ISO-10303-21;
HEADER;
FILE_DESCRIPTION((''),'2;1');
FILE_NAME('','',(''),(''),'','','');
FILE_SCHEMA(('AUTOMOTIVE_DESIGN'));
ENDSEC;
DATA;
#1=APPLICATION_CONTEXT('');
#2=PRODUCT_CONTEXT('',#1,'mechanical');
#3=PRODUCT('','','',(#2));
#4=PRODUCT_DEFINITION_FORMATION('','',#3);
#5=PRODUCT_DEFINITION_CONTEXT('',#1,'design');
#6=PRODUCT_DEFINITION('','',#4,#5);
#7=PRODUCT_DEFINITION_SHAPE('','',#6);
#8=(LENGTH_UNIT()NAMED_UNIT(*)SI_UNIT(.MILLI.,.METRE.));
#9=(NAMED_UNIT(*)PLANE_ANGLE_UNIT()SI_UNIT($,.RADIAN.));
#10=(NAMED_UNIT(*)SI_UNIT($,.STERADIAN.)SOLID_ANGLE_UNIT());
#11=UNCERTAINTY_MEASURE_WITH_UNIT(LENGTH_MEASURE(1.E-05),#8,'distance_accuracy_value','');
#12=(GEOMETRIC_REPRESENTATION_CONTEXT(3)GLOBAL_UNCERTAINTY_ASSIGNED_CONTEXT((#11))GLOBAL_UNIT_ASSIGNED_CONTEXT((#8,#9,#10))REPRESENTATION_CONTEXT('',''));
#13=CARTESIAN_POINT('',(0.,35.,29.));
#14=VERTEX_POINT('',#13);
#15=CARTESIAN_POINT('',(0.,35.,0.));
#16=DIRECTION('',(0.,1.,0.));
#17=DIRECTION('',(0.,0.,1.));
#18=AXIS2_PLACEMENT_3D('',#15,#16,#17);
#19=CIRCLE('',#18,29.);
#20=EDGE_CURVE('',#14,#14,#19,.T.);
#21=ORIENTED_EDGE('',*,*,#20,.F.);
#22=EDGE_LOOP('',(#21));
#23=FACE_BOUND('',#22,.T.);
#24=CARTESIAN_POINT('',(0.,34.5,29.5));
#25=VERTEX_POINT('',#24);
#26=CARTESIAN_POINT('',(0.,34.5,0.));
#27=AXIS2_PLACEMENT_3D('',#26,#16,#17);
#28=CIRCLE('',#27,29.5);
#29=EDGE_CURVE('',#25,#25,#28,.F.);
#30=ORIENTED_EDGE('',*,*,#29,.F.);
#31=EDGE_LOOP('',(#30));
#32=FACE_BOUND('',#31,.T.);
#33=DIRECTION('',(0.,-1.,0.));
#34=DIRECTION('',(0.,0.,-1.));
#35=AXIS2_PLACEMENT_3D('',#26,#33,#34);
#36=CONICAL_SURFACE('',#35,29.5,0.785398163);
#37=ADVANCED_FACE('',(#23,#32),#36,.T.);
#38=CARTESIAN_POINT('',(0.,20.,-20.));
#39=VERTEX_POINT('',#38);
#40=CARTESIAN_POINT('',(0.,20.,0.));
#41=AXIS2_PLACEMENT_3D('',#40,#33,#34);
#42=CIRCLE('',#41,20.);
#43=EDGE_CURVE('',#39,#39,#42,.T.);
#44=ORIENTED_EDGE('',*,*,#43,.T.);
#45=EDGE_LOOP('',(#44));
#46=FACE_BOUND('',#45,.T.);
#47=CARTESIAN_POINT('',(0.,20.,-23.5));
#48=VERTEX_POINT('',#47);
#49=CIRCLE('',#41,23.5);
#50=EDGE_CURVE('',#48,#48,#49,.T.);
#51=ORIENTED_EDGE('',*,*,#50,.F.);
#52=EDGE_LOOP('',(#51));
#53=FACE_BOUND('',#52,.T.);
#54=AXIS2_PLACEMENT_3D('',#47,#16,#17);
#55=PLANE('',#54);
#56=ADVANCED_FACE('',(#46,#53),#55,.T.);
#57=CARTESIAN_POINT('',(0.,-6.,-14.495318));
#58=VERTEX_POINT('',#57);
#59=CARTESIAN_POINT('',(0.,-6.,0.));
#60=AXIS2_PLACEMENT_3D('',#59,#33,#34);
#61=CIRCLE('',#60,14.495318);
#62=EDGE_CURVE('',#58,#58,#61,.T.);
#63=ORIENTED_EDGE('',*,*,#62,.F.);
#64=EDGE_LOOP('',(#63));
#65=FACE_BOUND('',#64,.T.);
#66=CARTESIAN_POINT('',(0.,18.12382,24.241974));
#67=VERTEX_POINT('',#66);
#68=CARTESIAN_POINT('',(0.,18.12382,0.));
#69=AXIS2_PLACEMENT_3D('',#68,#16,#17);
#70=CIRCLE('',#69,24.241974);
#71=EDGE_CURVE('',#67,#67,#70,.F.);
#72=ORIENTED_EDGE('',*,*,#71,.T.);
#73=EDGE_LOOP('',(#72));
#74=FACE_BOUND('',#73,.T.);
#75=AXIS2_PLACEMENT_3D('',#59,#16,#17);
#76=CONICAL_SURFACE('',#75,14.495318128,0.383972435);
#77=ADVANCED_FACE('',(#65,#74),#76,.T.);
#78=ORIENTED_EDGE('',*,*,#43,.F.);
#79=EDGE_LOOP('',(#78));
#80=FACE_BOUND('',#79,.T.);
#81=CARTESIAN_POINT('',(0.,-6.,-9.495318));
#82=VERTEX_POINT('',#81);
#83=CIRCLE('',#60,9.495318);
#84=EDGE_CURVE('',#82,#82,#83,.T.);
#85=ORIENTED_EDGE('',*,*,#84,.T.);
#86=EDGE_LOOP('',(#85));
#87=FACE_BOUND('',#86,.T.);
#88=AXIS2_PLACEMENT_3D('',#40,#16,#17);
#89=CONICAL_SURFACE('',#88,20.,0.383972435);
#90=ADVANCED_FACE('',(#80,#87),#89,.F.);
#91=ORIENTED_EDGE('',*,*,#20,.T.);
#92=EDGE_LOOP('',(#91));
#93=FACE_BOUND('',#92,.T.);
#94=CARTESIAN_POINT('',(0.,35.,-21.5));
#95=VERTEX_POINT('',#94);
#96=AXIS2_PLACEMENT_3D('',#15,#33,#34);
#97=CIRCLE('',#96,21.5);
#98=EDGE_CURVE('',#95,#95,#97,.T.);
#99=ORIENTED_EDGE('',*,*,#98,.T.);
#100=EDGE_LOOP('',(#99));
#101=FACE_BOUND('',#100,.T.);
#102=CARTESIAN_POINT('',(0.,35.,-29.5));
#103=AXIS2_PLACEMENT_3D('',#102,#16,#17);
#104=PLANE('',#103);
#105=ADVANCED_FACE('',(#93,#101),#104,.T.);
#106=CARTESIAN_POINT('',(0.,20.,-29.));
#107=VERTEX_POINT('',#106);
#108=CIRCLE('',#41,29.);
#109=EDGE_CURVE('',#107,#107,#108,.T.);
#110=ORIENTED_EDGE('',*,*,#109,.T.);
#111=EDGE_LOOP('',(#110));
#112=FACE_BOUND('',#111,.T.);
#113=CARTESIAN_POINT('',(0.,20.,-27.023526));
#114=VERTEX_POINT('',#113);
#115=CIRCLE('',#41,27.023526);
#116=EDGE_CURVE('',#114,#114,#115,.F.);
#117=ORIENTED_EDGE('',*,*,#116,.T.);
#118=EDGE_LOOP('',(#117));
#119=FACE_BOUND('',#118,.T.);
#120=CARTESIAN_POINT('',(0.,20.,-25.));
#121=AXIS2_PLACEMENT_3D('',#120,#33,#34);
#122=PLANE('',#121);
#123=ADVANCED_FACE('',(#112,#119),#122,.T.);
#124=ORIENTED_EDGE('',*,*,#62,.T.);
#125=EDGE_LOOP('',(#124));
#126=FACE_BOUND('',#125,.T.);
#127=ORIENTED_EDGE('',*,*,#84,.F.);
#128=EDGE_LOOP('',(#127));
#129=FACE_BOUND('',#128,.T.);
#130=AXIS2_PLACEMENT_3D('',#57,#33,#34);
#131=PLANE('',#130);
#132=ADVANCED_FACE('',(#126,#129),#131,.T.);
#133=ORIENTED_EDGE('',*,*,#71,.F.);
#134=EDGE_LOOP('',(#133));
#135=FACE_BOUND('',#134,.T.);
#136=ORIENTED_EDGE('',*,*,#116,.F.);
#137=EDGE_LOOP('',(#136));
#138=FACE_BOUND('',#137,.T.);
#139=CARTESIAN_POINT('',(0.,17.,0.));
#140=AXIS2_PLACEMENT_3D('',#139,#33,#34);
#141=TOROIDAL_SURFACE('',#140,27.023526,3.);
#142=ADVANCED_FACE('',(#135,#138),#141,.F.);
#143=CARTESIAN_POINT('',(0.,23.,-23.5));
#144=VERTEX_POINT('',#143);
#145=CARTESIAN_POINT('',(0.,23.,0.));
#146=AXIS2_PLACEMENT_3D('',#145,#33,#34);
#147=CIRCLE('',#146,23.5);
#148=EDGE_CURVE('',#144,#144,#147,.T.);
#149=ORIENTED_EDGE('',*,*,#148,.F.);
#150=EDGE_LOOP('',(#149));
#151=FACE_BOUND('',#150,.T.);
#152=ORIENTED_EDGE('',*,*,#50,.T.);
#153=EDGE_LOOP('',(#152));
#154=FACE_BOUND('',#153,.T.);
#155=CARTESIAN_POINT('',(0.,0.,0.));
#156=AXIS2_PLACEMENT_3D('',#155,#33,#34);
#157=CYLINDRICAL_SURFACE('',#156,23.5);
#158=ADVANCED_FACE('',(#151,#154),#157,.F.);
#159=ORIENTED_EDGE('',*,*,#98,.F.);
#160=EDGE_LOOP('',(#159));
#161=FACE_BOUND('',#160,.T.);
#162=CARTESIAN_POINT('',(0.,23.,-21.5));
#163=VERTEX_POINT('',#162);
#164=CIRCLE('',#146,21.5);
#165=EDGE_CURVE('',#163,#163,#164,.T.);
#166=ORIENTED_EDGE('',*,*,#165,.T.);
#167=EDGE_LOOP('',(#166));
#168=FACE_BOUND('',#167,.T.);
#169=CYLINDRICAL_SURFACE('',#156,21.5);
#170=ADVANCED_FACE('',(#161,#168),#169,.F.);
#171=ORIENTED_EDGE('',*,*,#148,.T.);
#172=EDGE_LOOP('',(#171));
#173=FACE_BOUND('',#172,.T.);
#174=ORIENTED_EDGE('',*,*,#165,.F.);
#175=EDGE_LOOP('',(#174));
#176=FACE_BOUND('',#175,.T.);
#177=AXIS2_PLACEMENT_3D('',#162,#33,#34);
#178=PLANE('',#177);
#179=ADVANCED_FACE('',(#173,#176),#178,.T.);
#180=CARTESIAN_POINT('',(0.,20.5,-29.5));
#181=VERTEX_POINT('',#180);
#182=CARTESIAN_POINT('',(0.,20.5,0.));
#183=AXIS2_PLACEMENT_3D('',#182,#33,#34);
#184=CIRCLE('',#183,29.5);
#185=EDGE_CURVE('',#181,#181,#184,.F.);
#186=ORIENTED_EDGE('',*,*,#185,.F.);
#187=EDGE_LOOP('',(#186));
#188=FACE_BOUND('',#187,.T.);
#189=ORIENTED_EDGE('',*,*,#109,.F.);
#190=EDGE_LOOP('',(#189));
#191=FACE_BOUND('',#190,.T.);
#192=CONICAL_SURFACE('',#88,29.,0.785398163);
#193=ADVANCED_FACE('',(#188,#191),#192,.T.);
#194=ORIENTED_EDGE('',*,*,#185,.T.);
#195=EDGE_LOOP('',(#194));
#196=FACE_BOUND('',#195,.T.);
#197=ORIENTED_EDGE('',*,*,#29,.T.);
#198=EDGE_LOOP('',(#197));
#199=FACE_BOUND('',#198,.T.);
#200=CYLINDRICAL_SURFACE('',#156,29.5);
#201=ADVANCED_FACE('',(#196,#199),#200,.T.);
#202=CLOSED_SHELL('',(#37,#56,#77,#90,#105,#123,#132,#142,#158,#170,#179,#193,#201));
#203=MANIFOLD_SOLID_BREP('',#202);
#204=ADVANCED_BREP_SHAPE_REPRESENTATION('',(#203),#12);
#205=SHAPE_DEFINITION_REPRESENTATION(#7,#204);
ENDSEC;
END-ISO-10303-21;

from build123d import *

# Parameters (mm, degrees)
CHANFRO1_SIZE = 0.5
FILETE1_R     = 3


with BuildPart() as part:
    # Esboço1 → Revolução1 (revolve)
    with BuildSketch(Plane(origin=(0, 0, 0), x_dir=(0, 0, -1), z_dir=(1, 0, 0))):
        Polygon((23.5, 20), (20, 20), (9.495318128, -6), (14.495318128, -6), (25, 20), (29.5, 20), (29.5, 35), (21.5, 35), (21.5, 23), (23.5, 23), align=None)
    revolve(axis=Axis((0, 0, 0), (0, 1, 0)))

    # Chanfro1
    chanfro1_edges = [part.edges().sort_by_distance(p)[0] for p in [
        (0, 35, 29.5),
        (0, 20, 29.5),
    ]]
    chamfer(chanfro1_edges, length=CHANFRO1_SIZE)

    # Filete1
    filete1_edges = [part.edges().sort_by_distance(p)[0] for p in [
        (0, 20, 25),
    ]]
    fillet(filete1_edges, radius=FILETE1_R)


solid = part.part
